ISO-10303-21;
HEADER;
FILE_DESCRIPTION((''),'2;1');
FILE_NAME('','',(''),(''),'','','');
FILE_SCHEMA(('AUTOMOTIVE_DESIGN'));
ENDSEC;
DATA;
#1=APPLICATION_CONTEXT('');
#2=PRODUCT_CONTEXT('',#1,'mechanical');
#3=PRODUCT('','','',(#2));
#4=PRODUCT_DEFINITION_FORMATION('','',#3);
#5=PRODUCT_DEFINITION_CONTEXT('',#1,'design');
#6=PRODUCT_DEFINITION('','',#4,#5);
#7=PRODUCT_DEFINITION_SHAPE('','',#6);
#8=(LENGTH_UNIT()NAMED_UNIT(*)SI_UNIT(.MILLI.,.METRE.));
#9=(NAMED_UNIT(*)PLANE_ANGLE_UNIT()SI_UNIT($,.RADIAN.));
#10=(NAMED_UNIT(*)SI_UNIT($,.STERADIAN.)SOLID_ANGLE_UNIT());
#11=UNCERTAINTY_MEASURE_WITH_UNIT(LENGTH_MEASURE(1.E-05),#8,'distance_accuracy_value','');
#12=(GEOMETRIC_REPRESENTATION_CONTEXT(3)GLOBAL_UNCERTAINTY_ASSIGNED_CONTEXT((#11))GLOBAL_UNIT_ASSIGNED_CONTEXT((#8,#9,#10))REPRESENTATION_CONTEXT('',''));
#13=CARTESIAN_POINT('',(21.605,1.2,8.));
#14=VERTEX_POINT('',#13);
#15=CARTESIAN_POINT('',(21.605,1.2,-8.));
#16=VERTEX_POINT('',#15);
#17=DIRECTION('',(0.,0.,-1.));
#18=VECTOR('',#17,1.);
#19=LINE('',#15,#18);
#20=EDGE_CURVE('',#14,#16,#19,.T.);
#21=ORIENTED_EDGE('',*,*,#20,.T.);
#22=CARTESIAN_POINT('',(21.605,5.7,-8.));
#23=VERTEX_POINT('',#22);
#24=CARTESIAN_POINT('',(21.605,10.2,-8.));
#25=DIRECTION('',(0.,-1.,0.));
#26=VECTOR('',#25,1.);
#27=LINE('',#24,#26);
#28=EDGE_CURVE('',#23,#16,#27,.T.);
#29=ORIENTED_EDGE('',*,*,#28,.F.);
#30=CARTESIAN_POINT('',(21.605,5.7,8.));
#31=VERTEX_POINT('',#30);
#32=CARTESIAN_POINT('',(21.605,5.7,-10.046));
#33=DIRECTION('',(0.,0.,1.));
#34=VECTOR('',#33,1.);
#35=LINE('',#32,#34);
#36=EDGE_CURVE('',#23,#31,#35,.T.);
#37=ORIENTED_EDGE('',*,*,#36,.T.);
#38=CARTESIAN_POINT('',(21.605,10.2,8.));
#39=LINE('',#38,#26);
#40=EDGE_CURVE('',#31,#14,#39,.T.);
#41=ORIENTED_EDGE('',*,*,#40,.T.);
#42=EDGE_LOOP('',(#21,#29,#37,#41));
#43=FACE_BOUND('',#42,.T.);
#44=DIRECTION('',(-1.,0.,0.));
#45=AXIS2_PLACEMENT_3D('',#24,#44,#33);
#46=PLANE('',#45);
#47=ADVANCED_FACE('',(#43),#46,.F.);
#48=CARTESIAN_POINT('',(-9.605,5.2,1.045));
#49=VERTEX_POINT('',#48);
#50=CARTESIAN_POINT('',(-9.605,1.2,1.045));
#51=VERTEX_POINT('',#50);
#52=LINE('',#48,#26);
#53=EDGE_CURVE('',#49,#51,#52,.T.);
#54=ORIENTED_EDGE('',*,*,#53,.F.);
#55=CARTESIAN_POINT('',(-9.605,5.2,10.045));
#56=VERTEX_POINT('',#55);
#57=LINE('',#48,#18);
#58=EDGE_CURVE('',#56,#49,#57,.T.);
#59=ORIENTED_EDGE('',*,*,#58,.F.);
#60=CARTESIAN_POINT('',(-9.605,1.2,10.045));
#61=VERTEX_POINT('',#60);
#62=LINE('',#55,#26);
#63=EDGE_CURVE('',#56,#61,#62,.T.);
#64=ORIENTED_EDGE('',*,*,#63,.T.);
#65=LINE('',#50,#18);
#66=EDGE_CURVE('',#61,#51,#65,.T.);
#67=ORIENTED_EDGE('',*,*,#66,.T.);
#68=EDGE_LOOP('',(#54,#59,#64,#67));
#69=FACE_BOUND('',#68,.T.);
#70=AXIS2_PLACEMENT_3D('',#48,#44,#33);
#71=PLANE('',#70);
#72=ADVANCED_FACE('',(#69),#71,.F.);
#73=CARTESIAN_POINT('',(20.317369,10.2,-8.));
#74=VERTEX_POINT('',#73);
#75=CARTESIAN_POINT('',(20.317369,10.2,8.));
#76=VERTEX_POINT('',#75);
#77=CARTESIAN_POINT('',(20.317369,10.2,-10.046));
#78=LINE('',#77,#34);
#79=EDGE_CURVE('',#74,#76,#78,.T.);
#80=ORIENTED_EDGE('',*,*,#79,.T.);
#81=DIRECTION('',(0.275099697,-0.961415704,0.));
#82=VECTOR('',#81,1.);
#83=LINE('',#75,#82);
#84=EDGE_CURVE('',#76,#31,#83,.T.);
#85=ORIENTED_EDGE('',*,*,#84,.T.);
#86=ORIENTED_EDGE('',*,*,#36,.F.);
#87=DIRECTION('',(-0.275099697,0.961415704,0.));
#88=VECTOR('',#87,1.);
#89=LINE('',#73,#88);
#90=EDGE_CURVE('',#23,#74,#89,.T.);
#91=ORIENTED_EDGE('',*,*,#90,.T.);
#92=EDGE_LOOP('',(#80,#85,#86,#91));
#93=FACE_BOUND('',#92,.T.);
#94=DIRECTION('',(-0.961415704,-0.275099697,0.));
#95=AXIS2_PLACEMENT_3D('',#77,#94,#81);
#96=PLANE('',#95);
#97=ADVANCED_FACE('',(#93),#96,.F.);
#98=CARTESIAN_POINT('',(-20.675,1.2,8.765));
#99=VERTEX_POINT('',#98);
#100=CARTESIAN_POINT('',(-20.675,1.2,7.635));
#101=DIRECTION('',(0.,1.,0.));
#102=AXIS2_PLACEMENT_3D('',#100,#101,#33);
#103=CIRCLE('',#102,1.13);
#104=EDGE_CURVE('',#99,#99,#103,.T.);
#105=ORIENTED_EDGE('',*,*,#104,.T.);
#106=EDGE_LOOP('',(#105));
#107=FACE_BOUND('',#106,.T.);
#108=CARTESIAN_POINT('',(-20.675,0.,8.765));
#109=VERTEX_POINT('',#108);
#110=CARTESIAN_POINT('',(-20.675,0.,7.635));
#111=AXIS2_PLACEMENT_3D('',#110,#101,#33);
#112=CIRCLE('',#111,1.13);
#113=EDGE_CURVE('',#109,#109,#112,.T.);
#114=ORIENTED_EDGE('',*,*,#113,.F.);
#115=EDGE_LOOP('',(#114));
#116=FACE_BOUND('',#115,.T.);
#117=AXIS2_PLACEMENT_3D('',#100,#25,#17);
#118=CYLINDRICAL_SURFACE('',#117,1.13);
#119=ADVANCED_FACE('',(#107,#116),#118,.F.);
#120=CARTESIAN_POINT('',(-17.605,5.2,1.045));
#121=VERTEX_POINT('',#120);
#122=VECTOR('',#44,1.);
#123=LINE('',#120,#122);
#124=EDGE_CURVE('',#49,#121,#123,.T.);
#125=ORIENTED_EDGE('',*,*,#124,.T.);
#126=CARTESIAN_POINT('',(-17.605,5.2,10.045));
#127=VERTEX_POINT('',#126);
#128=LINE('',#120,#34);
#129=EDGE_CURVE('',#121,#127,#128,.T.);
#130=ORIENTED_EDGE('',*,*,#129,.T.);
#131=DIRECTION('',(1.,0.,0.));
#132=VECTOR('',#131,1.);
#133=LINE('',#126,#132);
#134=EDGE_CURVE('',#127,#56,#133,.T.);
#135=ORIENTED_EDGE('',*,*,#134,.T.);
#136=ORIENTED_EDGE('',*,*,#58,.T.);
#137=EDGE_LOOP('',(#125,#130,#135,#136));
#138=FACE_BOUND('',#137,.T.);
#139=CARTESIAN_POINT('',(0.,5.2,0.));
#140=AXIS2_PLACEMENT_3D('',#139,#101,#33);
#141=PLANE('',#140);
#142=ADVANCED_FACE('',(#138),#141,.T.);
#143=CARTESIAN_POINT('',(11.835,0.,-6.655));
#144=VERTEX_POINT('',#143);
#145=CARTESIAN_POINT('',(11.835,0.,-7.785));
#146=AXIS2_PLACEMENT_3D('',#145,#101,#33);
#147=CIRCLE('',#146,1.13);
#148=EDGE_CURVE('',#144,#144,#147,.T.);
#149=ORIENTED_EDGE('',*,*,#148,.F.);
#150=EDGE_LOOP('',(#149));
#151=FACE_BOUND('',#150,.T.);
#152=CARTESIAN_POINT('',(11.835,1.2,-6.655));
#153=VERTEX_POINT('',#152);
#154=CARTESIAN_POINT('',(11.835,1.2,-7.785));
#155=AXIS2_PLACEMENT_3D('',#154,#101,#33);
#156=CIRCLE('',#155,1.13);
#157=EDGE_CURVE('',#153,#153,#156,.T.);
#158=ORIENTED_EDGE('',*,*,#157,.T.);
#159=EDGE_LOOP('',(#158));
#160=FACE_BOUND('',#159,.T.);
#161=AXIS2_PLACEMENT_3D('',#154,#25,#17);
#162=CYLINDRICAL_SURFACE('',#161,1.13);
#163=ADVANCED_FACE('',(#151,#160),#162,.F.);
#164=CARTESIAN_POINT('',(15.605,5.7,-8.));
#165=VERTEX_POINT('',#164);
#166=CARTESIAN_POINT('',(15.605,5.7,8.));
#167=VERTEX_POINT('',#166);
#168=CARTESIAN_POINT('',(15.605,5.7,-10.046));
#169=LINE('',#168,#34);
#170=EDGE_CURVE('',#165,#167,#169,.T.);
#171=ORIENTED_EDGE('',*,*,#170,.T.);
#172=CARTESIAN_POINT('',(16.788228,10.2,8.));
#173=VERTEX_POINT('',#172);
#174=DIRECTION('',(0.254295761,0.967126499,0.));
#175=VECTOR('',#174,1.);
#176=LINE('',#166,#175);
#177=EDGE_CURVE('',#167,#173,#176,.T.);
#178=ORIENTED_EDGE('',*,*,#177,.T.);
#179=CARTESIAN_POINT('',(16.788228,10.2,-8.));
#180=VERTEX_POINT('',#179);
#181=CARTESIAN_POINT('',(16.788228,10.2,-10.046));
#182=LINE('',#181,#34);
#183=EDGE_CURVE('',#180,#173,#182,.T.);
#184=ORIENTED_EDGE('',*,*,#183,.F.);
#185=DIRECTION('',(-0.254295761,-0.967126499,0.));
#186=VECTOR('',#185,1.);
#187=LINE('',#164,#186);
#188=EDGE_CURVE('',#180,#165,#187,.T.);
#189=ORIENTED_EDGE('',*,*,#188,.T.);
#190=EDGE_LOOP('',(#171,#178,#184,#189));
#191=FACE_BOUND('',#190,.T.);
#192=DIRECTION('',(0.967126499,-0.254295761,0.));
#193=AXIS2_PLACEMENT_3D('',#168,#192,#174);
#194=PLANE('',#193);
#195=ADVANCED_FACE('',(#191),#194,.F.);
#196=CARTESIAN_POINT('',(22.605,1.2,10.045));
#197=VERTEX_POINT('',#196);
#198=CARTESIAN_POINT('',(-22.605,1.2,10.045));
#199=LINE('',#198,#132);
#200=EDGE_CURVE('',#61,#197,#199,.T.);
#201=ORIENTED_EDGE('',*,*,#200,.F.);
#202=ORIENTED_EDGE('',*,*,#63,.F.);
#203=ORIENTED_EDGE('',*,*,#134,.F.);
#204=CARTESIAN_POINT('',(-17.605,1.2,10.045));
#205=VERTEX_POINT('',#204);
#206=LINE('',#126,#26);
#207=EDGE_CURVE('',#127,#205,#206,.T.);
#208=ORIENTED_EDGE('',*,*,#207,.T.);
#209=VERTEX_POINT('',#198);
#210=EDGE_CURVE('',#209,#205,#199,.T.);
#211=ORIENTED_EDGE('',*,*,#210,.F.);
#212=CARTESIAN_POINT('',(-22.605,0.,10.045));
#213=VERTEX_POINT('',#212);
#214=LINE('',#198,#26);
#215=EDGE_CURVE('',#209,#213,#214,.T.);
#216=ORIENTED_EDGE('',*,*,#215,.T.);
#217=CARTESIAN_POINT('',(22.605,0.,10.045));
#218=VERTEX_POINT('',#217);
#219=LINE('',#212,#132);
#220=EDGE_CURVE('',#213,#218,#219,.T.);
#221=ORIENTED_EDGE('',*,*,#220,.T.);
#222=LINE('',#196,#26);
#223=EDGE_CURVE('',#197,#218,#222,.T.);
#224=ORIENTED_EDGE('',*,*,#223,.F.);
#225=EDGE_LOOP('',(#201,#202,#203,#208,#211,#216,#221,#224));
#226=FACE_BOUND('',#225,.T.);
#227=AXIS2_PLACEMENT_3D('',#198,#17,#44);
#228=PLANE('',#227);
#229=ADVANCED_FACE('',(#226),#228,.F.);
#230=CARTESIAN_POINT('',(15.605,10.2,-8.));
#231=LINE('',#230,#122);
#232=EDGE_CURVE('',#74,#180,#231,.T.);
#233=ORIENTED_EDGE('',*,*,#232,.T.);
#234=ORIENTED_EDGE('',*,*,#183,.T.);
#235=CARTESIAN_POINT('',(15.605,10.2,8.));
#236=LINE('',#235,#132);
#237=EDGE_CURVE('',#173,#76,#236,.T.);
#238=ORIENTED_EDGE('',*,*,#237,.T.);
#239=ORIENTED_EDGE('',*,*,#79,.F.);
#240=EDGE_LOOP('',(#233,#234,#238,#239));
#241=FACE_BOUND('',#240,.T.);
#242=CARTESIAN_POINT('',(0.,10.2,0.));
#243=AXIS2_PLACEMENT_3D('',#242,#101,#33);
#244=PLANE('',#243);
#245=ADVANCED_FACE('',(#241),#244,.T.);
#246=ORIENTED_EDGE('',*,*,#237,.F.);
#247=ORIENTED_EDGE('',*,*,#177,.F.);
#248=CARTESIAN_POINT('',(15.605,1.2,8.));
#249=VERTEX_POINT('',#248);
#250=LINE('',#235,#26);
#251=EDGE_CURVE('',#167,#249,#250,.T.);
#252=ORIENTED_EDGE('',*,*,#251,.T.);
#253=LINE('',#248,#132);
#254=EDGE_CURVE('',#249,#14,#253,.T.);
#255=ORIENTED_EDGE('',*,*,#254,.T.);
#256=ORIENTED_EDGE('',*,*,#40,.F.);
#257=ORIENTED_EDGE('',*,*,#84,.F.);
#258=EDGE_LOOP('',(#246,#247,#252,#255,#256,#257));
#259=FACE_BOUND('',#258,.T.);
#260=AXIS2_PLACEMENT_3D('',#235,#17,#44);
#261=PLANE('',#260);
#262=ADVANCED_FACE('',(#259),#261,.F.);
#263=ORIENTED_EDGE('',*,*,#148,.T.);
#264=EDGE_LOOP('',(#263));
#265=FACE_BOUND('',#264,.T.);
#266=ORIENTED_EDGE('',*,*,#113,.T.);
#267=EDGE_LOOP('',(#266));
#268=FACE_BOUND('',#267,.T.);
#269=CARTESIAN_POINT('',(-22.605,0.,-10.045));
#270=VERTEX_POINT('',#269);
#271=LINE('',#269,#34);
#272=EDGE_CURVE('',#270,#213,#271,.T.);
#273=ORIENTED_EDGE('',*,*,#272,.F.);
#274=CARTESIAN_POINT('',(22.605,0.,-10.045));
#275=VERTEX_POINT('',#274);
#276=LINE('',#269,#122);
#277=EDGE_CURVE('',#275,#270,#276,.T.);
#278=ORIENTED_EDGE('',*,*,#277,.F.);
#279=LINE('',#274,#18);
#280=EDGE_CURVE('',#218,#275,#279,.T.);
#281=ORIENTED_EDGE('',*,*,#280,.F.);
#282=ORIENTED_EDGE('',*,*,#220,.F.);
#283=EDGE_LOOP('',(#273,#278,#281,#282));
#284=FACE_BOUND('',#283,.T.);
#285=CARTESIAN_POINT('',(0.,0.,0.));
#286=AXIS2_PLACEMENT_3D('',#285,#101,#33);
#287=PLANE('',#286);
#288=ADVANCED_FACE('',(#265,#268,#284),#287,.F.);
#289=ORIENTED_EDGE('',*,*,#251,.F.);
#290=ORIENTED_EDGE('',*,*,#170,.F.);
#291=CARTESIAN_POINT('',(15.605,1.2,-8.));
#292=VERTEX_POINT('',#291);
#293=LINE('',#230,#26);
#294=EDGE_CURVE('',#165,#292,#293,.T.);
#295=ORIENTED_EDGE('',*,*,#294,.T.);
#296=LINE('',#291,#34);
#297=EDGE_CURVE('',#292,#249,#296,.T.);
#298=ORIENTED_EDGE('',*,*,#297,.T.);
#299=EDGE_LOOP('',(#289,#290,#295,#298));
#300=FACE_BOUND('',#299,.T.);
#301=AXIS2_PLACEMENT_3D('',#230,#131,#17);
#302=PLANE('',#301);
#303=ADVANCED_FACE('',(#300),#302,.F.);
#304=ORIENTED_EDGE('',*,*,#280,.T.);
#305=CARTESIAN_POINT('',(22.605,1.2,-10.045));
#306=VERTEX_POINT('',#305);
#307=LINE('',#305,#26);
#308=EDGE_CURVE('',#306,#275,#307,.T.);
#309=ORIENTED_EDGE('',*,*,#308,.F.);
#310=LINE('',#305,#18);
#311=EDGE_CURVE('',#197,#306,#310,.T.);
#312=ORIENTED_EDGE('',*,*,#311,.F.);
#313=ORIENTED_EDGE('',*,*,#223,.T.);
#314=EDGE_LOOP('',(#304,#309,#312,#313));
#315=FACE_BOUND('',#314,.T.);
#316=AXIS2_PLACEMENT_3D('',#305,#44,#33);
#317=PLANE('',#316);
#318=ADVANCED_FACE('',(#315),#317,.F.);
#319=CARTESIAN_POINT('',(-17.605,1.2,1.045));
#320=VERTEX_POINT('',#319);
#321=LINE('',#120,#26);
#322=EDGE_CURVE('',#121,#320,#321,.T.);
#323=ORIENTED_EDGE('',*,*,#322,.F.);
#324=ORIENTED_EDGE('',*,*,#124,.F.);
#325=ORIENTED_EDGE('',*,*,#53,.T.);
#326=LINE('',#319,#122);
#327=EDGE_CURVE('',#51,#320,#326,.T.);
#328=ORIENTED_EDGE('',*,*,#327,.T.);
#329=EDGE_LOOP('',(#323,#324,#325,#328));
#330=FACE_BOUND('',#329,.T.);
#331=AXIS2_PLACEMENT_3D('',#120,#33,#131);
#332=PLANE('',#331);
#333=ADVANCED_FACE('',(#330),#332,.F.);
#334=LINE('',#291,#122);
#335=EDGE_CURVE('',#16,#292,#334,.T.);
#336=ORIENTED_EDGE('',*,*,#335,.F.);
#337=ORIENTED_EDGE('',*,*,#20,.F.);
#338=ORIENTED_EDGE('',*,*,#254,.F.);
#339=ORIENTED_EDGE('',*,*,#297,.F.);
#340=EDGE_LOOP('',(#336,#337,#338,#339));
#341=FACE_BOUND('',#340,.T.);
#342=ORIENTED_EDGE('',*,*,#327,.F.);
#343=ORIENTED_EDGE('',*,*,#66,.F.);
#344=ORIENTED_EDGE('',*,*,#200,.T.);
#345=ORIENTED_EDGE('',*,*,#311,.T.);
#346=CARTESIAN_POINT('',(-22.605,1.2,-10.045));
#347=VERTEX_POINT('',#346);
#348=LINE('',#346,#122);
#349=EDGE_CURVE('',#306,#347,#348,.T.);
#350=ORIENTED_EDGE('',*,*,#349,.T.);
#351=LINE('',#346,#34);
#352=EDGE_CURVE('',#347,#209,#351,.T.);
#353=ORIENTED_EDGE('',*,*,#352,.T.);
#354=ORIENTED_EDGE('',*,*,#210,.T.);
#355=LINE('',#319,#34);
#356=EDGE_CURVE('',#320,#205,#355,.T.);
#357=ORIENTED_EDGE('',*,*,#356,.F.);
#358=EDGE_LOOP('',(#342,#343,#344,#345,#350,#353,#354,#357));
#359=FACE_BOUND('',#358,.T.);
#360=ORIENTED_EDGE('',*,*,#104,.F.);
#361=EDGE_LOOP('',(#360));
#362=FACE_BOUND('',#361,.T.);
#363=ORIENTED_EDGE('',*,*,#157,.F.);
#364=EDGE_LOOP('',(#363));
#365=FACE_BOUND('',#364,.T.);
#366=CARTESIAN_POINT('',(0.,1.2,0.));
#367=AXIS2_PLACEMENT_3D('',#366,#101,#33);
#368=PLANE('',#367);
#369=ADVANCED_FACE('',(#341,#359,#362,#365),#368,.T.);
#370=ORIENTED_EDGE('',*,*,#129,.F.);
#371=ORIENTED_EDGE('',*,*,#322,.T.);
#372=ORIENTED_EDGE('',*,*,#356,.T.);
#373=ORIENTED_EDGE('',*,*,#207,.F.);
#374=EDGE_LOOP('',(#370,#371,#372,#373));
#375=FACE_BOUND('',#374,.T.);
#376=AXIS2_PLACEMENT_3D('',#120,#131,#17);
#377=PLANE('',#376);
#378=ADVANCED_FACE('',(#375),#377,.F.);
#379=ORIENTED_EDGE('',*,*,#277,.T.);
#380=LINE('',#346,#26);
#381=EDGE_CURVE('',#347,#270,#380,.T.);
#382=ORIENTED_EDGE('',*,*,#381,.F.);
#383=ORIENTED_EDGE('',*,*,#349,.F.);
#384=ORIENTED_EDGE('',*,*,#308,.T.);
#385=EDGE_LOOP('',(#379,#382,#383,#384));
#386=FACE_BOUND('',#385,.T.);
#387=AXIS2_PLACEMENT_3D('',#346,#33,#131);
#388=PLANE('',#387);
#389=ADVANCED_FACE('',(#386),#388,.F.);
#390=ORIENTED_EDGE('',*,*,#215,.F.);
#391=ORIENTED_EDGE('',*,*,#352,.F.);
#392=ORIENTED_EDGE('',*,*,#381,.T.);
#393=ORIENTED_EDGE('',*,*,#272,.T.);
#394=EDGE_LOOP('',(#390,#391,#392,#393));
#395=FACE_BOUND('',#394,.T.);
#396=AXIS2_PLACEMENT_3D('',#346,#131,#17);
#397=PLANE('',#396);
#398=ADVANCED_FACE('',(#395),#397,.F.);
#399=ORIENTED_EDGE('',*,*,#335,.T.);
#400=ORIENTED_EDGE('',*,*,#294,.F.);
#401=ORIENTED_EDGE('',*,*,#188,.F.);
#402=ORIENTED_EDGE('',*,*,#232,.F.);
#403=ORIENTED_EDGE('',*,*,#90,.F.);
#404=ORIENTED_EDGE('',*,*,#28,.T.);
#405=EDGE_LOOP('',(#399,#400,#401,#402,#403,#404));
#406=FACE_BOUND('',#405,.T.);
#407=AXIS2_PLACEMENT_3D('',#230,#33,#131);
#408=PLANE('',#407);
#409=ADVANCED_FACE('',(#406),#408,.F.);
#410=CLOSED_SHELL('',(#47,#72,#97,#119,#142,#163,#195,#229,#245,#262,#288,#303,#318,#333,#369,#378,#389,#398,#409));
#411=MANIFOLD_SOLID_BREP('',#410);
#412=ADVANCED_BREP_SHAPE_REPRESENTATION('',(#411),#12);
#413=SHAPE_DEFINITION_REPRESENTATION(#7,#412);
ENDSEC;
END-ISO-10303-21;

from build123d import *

# Parameters (mm, degrees)
SKETCH1_W           = 45.21
SKETCH1_H           = 20.09
SKETCH1_R           = 1.13
BOSS_EXTRUDE1_DEPTH = 1.2
SKETCH2_W           = 6
SKETCH2_H           = 16
BOSS_EXTRUDE3_DEPTH = 9
CUT_EXTRUDE1_REACH  = 32.67
SKETCH5_W           = 8
SKETCH5_H           = 9
BOSS_EXTRUDE5_DEPTH = 4


with BuildPart() as part:
    # Sketch1 → Boss-Extrude1 (new body)
    with BuildSketch(Plane(origin=(0, 0, 0), x_dir=(1, 0, 0), z_dir=(0, 1, 0))):
        Rectangle(SKETCH1_W, SKETCH1_H)
        with Locations(Location((11.835, 7.785, 0), (0, 0, 270))):
            Circle(SKETCH1_R, mode=Mode.SUBTRACT)
        with Locations(Location((-20.675, -7.635, 0), (0, 0, 270))):
            Circle(SKETCH1_R, mode=Mode.SUBTRACT)
    extrude(amount=BOSS_EXTRUDE1_DEPTH)

    # Sketch2 → Boss-Extrude3 (add)
    with BuildSketch(Plane(origin=(0, 1.2, 0), x_dir=(1, 0, 0), z_dir=(0, 1, 0))):
        with Locations((18.605, 0)):
            Rectangle(SKETCH2_W, SKETCH2_H)
    extrude(amount=BOSS_EXTRUDE3_DEPTH)

    # Sketch4 → Cut-Extrude1 (cut, up to next)
    with BuildSketch(Plane.XY.offset(8), mode=Mode.PRIVATE) as cut_extrude1_sk1:
        Polygon((15.605, 5.7), (16.788227765, 10.2), (15.605, 10.2), align=None)
    cut_extrude1_tool1 = extrude(cut_extrude1_sk1.sketch, amount=-CUT_EXTRUDE1_REACH, mode=Mode.PRIVATE) & part.part
    # Sketch4 → Cut-Extrude1 (cut, up to next)
    with BuildSketch(Plane.XY.offset(8), mode=Mode.PRIVATE) as cut_extrude1_sk2:
        Polygon((20.317369028, 10.2), (21.605, 5.7), (21.605, 10.2), align=None)
    cut_extrude1_tool2 = extrude(cut_extrude1_sk2.sketch, amount=-CUT_EXTRUDE1_REACH, mode=Mode.PRIVATE) & part.part
    add(cut_extrude1_tool1.solids().sort_by_distance((15.999409, 8.7, 8))[0], mode=Mode.SUBTRACT)
    add(cut_extrude1_tool2.solids().sort_by_distance((21.17579, 8.7, 8))[0], mode=Mode.SUBTRACT)

    # Sketch5 → Boss-Extrude5 (add)
    with BuildSketch(Plane(origin=(0, 1.2, 0), x_dir=(1, 0, 0), z_dir=(0, 1, 0))):
        with Locations((-13.605, -5.545)):
            Rectangle(SKETCH5_W, SKETCH5_H)
    extrude(amount=BOSS_EXTRUDE5_DEPTH)


solid = part.part
